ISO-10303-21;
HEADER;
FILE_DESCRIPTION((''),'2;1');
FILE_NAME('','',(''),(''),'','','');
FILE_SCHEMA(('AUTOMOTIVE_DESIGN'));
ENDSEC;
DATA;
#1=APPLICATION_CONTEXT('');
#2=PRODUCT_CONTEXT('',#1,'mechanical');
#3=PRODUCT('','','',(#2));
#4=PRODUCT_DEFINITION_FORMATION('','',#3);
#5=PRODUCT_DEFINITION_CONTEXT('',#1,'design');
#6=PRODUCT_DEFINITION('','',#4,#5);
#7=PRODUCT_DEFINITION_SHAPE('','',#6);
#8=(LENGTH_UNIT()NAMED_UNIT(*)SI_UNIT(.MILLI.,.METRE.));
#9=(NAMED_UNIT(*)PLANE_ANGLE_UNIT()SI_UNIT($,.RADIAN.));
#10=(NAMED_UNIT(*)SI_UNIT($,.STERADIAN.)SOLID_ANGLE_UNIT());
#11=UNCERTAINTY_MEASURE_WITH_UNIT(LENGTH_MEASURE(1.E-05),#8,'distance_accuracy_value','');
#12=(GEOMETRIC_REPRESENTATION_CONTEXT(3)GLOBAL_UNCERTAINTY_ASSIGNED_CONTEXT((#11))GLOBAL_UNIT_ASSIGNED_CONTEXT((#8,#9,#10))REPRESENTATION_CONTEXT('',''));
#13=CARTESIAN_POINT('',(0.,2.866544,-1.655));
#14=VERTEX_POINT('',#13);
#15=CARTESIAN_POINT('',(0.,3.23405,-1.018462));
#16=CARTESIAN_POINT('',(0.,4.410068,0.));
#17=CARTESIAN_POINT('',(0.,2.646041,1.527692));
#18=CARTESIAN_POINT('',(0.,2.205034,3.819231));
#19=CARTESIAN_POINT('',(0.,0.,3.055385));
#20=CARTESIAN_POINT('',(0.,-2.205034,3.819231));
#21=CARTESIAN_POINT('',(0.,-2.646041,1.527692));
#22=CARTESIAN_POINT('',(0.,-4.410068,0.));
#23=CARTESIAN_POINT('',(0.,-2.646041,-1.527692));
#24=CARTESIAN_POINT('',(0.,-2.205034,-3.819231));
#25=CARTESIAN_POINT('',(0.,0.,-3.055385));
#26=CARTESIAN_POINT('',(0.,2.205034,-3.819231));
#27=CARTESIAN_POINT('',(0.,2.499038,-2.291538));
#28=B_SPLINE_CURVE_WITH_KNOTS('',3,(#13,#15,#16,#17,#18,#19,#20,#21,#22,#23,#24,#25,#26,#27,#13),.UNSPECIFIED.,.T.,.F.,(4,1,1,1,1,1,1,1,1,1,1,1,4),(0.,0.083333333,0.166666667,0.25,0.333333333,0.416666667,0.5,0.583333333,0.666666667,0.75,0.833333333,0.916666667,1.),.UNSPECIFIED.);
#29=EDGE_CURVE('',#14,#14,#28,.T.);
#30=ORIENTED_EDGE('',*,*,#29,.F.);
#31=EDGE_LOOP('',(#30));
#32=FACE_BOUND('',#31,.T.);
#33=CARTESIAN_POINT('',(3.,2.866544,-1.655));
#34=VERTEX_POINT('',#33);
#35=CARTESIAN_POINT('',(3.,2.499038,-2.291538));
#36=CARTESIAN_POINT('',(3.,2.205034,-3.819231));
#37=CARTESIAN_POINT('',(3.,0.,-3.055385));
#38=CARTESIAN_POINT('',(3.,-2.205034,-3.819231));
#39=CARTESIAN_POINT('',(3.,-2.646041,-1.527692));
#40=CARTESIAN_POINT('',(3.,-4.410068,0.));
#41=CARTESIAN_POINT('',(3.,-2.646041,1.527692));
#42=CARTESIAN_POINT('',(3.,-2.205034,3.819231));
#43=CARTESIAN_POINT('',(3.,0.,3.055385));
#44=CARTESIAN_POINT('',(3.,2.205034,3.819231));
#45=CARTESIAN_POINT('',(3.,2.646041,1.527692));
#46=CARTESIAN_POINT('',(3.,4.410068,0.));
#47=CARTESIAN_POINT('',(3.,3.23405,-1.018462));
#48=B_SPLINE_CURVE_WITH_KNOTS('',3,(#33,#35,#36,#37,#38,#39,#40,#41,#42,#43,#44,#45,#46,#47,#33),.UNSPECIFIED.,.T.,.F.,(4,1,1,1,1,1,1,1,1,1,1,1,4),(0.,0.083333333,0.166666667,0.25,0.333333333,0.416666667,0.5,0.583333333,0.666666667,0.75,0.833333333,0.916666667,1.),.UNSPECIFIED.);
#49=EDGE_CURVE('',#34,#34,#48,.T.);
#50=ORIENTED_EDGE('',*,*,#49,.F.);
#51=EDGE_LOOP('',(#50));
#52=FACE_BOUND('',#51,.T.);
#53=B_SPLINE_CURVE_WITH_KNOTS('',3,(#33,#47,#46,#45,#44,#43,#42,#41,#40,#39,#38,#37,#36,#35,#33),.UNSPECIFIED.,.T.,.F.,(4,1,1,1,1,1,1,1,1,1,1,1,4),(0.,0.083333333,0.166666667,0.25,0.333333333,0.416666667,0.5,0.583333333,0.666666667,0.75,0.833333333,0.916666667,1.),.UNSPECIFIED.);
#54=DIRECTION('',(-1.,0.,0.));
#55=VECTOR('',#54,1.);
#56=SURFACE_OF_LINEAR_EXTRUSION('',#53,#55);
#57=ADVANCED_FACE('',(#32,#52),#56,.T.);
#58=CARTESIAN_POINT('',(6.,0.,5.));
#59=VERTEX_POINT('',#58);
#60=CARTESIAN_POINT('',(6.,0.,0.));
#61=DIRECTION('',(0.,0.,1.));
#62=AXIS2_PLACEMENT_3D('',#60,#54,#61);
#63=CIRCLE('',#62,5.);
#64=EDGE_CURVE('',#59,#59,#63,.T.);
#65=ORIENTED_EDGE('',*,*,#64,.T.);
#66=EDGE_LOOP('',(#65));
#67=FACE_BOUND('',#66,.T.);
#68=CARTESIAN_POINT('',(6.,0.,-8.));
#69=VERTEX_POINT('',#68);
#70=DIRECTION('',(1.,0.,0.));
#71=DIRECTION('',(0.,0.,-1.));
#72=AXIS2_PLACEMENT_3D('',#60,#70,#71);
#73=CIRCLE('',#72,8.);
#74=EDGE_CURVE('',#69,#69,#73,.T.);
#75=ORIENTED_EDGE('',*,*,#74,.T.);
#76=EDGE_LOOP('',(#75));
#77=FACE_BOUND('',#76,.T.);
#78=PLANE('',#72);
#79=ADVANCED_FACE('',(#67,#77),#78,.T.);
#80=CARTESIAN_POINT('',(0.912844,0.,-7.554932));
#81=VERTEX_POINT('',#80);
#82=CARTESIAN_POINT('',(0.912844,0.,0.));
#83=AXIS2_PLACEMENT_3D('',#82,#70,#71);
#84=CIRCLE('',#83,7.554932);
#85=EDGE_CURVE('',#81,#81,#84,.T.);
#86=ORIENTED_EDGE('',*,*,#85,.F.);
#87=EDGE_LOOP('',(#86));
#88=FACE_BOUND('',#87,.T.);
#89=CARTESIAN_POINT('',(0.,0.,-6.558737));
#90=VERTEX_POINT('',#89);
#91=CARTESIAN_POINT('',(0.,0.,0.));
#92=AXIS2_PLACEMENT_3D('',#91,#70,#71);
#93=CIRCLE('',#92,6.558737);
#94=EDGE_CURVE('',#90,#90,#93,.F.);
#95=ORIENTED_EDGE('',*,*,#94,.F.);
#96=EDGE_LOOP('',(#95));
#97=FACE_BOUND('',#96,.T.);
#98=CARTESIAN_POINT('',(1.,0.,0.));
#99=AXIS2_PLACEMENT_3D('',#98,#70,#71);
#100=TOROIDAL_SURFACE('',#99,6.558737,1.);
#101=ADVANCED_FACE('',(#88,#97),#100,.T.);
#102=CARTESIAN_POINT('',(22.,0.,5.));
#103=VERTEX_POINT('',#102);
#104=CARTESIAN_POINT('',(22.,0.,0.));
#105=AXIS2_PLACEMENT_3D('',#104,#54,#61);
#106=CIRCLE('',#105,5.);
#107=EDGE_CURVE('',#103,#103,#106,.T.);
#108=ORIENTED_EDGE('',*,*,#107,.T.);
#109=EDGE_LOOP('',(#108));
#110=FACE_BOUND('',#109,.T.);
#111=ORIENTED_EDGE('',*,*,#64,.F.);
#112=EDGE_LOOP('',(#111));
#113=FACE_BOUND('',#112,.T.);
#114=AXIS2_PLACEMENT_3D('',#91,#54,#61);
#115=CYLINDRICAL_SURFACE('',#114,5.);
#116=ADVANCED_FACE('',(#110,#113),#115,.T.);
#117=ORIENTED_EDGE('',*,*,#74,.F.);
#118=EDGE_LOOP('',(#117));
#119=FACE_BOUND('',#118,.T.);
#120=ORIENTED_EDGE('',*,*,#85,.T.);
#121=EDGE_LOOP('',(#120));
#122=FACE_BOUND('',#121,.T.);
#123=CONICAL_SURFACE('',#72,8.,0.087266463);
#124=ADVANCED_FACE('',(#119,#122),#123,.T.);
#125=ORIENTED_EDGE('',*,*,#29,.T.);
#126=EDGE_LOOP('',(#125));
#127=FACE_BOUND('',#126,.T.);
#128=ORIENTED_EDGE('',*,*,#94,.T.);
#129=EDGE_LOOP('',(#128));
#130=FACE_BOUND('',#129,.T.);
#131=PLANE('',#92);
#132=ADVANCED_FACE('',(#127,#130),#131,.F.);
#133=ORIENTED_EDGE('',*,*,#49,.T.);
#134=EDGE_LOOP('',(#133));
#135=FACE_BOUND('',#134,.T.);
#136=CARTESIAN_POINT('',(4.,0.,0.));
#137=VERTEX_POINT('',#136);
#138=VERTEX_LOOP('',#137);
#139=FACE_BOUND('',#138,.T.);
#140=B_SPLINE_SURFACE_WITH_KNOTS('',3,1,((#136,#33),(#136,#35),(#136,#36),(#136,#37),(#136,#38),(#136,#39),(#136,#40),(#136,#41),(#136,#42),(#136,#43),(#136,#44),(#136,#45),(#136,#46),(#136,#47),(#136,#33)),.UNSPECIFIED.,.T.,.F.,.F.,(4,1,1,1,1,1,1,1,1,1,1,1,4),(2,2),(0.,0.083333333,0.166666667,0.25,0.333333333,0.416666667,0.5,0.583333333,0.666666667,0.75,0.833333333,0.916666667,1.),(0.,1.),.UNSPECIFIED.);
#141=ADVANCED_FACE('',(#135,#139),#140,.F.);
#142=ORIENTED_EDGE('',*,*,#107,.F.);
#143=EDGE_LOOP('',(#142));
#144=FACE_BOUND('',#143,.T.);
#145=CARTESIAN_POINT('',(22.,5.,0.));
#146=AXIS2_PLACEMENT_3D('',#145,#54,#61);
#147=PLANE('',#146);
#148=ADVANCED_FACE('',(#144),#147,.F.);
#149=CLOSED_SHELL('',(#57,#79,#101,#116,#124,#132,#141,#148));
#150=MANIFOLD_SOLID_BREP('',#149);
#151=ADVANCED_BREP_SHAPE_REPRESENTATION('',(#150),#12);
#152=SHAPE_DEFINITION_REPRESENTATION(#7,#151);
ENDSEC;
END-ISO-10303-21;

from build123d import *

# Parameters (mm, degrees)
SKETCH1_R      = 8
BASEHEAD_DEPTH = 6
BASEHEAD_DRAFT = -5
SKETCH8_W      = 16
SKETCH8_H      = 5
SOCKET_DEPTH   = 3
HEADFILLET2_R  = 1


with BuildPart() as part:
    # Sketch1 → BaseHead (with draft: the straight prism first)
    with BuildSketch(Plane(origin=(6, 0, 0), x_dir=(0, 0, -1), z_dir=(1, 0, 0))):
        Circle(SKETCH1_R)
    extrude(amount=-BASEHEAD_DEPTH)
    # BaseHead: the draft: its side faces are tilted about the plane it starts from
    basehead_sides = [part.faces().sort_by_distance(p)[0] for p in [
        (3, 0, 8),
    ]]
    draft(basehead_sides, Plane(origin=(6, 0, 0), x_dir=(0, 0, -1), z_dir=(1, 0, 0)), BASEHEAD_DRAFT)

    # Sketch8 → Revolve1 (revolve)
    with BuildSketch(Plane.XY, mode=Mode.PRIVATE) as revolve1_sk:
        with Locations((14, 2.5)):
            Rectangle(SKETCH8_W, SKETCH8_H)
    revolve(revolve1_sk.sketch.rotate(Axis((0, 0, 0), (1, 0, 0)), 90), axis=Axis((0, 0, 0), (1, 0, 0)))

    # Sketch4 → Socket (cut)
    with BuildSketch(Plane(origin=(0, 0, 0), x_dir=(0, 0, -1), z_dir=(1, 0, 0))):
        with BuildLine():
            add(Edge.make_bspline(
                [(1.655, 2.866544087), (2.291538462, 2.499038434), (3.819230769, 2.205033913), (3.055384615, 0), (3.819230769, -2.205033913), (1.527692308, -2.646040695), (0, -4.410067825), (-1.527692308, -2.646040695), (-3.819230769, -2.205033913), (-3.055384615, 0), (-3.819230769, 2.205033913), (-1.527692308, 2.646040695), (0, 4.410067825), (1.018461538, 3.234049739), (1.655, 2.866544087)],
                knots=[0, 0, 0, 0, 0.083333333, 0.166666667, 0.25, 0.333333333, 0.416666667, 0.5, 0.583333333, 0.666666667, 0.75, 0.833333333, 0.916666667, 1, 1, 1, 1], degree=3))
        make_face()
    extrude(amount=SOCKET_DEPTH, mode=Mode.SUBTRACT)

    # Sketch5 → Cut-Loft1 section 0
    with BuildSketch(Plane.ZY.offset(-3), mode=Mode.PRIVATE) as cut_loft1_s0:
        with BuildLine():
            add(Edge.make_bspline(
                [(-1.655, 2.866544087), (-2.291538462, 2.499038434), (-3.819230769, 2.205033913), (-3.055384615, 0), (-3.819230769, -2.205033913), (-1.527692308, -2.646040695), (0, -4.410067825), (1.527692308, -2.646040695), (3.819230769, -2.205033913), (3.055384615, 0), (3.819230769, 2.205033913), (1.527692308, 2.646040695), (0, 4.410067825), (-1.018461538, 3.234049739), (-1.655, 2.866544087)],
                knots=[0, 0, 0, 0, 0.083333333, 0.166666667, 0.25, 0.333333333, 0.416666667, 0.5, 0.583333333, 0.666666667, 0.75, 0.833333333, 0.916666667, 1, 1, 1, 1], degree=3))
        make_face()
    loft([Vertex(4, 0, 0), cut_loft1_s0.sketch], mode=Mode.SUBTRACT)

    # HeadFillet2
    headfillet2_edges = [part.edges().sort_by_distance(p)[0] for p in [
        (0, 0, 7.475068019),
    ]]
    fillet(headfillet2_edges, radius=HEADFILLET2_R)


solid = part.part
